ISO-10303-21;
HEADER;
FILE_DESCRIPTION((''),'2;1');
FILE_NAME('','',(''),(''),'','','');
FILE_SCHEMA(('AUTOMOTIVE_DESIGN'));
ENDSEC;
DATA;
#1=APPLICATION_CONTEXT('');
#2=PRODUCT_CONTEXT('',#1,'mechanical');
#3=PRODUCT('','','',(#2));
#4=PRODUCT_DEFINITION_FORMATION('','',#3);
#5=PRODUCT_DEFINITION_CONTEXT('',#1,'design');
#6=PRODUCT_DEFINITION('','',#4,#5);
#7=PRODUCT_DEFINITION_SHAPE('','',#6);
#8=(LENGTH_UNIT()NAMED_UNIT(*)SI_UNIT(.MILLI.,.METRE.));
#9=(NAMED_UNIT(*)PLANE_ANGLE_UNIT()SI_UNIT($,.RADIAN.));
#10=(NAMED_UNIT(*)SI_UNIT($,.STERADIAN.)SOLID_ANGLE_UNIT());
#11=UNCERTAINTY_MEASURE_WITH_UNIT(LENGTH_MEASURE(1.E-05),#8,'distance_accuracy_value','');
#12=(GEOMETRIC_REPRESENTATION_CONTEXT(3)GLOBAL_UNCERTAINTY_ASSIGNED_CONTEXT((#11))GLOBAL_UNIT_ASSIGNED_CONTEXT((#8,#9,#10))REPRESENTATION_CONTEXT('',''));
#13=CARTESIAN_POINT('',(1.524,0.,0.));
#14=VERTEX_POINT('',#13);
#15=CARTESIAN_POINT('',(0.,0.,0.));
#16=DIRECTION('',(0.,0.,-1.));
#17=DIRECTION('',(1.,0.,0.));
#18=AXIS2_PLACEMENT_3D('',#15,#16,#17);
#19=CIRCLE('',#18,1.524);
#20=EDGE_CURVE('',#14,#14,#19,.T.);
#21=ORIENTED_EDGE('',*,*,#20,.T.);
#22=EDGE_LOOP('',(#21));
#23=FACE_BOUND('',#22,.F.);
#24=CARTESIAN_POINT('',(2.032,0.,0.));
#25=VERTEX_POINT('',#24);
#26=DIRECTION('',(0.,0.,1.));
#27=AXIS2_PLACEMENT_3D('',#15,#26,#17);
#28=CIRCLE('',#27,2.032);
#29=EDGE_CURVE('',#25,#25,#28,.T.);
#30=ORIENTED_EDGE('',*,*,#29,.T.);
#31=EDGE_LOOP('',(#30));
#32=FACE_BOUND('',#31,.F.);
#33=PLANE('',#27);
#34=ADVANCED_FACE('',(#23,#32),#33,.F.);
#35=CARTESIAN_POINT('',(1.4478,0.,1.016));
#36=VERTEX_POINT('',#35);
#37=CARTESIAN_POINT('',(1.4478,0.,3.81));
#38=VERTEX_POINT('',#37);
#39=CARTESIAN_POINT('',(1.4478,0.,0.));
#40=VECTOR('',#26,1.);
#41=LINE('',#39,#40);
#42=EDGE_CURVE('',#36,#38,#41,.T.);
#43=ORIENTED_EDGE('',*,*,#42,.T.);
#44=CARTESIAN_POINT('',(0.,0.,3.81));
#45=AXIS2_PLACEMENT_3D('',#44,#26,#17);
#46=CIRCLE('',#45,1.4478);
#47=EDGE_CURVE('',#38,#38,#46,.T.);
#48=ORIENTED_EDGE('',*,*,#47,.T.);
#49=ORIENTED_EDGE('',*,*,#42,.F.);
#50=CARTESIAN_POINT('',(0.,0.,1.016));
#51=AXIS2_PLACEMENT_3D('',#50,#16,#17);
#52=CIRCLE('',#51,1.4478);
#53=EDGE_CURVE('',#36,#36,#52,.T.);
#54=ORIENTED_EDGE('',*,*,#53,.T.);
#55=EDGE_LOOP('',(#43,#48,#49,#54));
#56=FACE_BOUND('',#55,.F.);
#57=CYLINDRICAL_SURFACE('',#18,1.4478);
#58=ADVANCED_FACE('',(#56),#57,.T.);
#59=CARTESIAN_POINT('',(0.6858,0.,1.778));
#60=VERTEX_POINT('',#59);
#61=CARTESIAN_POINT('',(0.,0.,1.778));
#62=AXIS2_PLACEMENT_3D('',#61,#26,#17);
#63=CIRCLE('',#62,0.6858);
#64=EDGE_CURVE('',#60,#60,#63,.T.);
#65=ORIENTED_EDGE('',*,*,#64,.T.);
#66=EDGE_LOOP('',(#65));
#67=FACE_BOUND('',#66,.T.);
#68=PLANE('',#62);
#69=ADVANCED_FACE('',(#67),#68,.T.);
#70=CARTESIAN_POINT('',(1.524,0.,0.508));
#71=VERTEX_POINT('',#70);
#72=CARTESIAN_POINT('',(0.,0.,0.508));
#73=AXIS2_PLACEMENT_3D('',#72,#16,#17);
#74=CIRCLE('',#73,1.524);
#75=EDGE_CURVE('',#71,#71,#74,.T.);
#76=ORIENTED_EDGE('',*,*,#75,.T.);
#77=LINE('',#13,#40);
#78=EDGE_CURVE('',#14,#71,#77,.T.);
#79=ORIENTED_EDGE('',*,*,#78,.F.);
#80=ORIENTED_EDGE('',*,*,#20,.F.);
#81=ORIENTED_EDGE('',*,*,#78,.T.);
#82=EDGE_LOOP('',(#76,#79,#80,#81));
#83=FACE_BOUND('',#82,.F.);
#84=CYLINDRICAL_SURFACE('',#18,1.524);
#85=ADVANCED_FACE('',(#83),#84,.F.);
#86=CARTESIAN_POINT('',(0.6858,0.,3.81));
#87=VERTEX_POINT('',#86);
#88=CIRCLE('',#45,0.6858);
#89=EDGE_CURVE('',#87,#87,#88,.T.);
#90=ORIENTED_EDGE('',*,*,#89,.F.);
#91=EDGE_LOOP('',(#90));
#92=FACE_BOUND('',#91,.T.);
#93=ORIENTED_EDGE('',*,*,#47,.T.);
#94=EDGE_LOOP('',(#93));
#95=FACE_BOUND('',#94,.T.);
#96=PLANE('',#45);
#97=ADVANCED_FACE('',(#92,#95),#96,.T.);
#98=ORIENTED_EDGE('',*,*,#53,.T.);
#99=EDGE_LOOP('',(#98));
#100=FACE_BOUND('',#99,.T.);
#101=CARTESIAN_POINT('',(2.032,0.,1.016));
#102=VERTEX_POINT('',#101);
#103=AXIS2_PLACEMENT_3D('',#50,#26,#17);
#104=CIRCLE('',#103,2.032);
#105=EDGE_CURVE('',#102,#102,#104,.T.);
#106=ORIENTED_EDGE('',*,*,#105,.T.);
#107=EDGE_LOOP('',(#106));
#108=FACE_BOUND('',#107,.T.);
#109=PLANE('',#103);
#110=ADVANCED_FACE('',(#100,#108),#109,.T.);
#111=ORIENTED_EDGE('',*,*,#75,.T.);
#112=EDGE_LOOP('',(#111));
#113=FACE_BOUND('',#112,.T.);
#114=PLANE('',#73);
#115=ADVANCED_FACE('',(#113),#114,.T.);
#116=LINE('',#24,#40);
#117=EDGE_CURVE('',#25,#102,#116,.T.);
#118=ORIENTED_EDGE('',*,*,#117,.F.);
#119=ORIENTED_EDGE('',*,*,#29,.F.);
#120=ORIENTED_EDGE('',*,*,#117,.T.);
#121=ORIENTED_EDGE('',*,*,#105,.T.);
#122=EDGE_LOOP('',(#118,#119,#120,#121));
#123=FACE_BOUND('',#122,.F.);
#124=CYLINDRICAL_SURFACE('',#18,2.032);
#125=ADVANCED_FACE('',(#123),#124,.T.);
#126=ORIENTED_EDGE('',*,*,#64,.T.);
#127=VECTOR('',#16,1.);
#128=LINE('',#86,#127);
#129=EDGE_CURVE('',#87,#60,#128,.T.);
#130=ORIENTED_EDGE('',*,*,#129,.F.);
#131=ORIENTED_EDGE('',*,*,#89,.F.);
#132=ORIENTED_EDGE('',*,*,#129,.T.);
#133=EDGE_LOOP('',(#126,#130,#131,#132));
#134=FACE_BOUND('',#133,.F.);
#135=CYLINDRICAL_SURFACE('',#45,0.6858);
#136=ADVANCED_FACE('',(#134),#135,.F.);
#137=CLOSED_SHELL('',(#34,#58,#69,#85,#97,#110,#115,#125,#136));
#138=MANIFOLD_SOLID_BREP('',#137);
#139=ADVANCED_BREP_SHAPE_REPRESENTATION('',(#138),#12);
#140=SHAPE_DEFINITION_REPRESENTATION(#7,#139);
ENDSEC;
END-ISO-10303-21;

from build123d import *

# Parameters (mm, degrees)
F0_R     = 1.4478
F1_DEPTH = 3.81
F2_R     = 2.032
F3_DEPTH = 1.016
F4_R     = 1.524
F5_DEPTH = 0.508
F6_R     = 0.6858
F7_DEPTH = 2.032


with BuildPart() as f1:
    # F0 (on Top) → F1 (new body)
    with BuildSketch(Plane.XY):
        Circle(F0_R)
    extrude(amount=F1_DEPTH)

    # F2 (on Top) → F3 (join)
    with BuildSketch(Plane.XY):
        Circle(F2_R)
    extrude(amount=F3_DEPTH)

    # F4 (on face) → F5 (cut)
    with BuildSketch(Plane(origin=(0, 0, 0), x_dir=(1, 0, 0), z_dir=(0, 0, -1))):
        Circle(F4_R)
    extrude(amount=-F5_DEPTH, mode=Mode.SUBTRACT)

    # F6 (on face) → F7 (cut)
    with BuildSketch(Plane.XY.offset(3.81)):
        Circle(F6_R)
    extrude(amount=-F7_DEPTH, mode=Mode.SUBTRACT)


solid = f1.part
